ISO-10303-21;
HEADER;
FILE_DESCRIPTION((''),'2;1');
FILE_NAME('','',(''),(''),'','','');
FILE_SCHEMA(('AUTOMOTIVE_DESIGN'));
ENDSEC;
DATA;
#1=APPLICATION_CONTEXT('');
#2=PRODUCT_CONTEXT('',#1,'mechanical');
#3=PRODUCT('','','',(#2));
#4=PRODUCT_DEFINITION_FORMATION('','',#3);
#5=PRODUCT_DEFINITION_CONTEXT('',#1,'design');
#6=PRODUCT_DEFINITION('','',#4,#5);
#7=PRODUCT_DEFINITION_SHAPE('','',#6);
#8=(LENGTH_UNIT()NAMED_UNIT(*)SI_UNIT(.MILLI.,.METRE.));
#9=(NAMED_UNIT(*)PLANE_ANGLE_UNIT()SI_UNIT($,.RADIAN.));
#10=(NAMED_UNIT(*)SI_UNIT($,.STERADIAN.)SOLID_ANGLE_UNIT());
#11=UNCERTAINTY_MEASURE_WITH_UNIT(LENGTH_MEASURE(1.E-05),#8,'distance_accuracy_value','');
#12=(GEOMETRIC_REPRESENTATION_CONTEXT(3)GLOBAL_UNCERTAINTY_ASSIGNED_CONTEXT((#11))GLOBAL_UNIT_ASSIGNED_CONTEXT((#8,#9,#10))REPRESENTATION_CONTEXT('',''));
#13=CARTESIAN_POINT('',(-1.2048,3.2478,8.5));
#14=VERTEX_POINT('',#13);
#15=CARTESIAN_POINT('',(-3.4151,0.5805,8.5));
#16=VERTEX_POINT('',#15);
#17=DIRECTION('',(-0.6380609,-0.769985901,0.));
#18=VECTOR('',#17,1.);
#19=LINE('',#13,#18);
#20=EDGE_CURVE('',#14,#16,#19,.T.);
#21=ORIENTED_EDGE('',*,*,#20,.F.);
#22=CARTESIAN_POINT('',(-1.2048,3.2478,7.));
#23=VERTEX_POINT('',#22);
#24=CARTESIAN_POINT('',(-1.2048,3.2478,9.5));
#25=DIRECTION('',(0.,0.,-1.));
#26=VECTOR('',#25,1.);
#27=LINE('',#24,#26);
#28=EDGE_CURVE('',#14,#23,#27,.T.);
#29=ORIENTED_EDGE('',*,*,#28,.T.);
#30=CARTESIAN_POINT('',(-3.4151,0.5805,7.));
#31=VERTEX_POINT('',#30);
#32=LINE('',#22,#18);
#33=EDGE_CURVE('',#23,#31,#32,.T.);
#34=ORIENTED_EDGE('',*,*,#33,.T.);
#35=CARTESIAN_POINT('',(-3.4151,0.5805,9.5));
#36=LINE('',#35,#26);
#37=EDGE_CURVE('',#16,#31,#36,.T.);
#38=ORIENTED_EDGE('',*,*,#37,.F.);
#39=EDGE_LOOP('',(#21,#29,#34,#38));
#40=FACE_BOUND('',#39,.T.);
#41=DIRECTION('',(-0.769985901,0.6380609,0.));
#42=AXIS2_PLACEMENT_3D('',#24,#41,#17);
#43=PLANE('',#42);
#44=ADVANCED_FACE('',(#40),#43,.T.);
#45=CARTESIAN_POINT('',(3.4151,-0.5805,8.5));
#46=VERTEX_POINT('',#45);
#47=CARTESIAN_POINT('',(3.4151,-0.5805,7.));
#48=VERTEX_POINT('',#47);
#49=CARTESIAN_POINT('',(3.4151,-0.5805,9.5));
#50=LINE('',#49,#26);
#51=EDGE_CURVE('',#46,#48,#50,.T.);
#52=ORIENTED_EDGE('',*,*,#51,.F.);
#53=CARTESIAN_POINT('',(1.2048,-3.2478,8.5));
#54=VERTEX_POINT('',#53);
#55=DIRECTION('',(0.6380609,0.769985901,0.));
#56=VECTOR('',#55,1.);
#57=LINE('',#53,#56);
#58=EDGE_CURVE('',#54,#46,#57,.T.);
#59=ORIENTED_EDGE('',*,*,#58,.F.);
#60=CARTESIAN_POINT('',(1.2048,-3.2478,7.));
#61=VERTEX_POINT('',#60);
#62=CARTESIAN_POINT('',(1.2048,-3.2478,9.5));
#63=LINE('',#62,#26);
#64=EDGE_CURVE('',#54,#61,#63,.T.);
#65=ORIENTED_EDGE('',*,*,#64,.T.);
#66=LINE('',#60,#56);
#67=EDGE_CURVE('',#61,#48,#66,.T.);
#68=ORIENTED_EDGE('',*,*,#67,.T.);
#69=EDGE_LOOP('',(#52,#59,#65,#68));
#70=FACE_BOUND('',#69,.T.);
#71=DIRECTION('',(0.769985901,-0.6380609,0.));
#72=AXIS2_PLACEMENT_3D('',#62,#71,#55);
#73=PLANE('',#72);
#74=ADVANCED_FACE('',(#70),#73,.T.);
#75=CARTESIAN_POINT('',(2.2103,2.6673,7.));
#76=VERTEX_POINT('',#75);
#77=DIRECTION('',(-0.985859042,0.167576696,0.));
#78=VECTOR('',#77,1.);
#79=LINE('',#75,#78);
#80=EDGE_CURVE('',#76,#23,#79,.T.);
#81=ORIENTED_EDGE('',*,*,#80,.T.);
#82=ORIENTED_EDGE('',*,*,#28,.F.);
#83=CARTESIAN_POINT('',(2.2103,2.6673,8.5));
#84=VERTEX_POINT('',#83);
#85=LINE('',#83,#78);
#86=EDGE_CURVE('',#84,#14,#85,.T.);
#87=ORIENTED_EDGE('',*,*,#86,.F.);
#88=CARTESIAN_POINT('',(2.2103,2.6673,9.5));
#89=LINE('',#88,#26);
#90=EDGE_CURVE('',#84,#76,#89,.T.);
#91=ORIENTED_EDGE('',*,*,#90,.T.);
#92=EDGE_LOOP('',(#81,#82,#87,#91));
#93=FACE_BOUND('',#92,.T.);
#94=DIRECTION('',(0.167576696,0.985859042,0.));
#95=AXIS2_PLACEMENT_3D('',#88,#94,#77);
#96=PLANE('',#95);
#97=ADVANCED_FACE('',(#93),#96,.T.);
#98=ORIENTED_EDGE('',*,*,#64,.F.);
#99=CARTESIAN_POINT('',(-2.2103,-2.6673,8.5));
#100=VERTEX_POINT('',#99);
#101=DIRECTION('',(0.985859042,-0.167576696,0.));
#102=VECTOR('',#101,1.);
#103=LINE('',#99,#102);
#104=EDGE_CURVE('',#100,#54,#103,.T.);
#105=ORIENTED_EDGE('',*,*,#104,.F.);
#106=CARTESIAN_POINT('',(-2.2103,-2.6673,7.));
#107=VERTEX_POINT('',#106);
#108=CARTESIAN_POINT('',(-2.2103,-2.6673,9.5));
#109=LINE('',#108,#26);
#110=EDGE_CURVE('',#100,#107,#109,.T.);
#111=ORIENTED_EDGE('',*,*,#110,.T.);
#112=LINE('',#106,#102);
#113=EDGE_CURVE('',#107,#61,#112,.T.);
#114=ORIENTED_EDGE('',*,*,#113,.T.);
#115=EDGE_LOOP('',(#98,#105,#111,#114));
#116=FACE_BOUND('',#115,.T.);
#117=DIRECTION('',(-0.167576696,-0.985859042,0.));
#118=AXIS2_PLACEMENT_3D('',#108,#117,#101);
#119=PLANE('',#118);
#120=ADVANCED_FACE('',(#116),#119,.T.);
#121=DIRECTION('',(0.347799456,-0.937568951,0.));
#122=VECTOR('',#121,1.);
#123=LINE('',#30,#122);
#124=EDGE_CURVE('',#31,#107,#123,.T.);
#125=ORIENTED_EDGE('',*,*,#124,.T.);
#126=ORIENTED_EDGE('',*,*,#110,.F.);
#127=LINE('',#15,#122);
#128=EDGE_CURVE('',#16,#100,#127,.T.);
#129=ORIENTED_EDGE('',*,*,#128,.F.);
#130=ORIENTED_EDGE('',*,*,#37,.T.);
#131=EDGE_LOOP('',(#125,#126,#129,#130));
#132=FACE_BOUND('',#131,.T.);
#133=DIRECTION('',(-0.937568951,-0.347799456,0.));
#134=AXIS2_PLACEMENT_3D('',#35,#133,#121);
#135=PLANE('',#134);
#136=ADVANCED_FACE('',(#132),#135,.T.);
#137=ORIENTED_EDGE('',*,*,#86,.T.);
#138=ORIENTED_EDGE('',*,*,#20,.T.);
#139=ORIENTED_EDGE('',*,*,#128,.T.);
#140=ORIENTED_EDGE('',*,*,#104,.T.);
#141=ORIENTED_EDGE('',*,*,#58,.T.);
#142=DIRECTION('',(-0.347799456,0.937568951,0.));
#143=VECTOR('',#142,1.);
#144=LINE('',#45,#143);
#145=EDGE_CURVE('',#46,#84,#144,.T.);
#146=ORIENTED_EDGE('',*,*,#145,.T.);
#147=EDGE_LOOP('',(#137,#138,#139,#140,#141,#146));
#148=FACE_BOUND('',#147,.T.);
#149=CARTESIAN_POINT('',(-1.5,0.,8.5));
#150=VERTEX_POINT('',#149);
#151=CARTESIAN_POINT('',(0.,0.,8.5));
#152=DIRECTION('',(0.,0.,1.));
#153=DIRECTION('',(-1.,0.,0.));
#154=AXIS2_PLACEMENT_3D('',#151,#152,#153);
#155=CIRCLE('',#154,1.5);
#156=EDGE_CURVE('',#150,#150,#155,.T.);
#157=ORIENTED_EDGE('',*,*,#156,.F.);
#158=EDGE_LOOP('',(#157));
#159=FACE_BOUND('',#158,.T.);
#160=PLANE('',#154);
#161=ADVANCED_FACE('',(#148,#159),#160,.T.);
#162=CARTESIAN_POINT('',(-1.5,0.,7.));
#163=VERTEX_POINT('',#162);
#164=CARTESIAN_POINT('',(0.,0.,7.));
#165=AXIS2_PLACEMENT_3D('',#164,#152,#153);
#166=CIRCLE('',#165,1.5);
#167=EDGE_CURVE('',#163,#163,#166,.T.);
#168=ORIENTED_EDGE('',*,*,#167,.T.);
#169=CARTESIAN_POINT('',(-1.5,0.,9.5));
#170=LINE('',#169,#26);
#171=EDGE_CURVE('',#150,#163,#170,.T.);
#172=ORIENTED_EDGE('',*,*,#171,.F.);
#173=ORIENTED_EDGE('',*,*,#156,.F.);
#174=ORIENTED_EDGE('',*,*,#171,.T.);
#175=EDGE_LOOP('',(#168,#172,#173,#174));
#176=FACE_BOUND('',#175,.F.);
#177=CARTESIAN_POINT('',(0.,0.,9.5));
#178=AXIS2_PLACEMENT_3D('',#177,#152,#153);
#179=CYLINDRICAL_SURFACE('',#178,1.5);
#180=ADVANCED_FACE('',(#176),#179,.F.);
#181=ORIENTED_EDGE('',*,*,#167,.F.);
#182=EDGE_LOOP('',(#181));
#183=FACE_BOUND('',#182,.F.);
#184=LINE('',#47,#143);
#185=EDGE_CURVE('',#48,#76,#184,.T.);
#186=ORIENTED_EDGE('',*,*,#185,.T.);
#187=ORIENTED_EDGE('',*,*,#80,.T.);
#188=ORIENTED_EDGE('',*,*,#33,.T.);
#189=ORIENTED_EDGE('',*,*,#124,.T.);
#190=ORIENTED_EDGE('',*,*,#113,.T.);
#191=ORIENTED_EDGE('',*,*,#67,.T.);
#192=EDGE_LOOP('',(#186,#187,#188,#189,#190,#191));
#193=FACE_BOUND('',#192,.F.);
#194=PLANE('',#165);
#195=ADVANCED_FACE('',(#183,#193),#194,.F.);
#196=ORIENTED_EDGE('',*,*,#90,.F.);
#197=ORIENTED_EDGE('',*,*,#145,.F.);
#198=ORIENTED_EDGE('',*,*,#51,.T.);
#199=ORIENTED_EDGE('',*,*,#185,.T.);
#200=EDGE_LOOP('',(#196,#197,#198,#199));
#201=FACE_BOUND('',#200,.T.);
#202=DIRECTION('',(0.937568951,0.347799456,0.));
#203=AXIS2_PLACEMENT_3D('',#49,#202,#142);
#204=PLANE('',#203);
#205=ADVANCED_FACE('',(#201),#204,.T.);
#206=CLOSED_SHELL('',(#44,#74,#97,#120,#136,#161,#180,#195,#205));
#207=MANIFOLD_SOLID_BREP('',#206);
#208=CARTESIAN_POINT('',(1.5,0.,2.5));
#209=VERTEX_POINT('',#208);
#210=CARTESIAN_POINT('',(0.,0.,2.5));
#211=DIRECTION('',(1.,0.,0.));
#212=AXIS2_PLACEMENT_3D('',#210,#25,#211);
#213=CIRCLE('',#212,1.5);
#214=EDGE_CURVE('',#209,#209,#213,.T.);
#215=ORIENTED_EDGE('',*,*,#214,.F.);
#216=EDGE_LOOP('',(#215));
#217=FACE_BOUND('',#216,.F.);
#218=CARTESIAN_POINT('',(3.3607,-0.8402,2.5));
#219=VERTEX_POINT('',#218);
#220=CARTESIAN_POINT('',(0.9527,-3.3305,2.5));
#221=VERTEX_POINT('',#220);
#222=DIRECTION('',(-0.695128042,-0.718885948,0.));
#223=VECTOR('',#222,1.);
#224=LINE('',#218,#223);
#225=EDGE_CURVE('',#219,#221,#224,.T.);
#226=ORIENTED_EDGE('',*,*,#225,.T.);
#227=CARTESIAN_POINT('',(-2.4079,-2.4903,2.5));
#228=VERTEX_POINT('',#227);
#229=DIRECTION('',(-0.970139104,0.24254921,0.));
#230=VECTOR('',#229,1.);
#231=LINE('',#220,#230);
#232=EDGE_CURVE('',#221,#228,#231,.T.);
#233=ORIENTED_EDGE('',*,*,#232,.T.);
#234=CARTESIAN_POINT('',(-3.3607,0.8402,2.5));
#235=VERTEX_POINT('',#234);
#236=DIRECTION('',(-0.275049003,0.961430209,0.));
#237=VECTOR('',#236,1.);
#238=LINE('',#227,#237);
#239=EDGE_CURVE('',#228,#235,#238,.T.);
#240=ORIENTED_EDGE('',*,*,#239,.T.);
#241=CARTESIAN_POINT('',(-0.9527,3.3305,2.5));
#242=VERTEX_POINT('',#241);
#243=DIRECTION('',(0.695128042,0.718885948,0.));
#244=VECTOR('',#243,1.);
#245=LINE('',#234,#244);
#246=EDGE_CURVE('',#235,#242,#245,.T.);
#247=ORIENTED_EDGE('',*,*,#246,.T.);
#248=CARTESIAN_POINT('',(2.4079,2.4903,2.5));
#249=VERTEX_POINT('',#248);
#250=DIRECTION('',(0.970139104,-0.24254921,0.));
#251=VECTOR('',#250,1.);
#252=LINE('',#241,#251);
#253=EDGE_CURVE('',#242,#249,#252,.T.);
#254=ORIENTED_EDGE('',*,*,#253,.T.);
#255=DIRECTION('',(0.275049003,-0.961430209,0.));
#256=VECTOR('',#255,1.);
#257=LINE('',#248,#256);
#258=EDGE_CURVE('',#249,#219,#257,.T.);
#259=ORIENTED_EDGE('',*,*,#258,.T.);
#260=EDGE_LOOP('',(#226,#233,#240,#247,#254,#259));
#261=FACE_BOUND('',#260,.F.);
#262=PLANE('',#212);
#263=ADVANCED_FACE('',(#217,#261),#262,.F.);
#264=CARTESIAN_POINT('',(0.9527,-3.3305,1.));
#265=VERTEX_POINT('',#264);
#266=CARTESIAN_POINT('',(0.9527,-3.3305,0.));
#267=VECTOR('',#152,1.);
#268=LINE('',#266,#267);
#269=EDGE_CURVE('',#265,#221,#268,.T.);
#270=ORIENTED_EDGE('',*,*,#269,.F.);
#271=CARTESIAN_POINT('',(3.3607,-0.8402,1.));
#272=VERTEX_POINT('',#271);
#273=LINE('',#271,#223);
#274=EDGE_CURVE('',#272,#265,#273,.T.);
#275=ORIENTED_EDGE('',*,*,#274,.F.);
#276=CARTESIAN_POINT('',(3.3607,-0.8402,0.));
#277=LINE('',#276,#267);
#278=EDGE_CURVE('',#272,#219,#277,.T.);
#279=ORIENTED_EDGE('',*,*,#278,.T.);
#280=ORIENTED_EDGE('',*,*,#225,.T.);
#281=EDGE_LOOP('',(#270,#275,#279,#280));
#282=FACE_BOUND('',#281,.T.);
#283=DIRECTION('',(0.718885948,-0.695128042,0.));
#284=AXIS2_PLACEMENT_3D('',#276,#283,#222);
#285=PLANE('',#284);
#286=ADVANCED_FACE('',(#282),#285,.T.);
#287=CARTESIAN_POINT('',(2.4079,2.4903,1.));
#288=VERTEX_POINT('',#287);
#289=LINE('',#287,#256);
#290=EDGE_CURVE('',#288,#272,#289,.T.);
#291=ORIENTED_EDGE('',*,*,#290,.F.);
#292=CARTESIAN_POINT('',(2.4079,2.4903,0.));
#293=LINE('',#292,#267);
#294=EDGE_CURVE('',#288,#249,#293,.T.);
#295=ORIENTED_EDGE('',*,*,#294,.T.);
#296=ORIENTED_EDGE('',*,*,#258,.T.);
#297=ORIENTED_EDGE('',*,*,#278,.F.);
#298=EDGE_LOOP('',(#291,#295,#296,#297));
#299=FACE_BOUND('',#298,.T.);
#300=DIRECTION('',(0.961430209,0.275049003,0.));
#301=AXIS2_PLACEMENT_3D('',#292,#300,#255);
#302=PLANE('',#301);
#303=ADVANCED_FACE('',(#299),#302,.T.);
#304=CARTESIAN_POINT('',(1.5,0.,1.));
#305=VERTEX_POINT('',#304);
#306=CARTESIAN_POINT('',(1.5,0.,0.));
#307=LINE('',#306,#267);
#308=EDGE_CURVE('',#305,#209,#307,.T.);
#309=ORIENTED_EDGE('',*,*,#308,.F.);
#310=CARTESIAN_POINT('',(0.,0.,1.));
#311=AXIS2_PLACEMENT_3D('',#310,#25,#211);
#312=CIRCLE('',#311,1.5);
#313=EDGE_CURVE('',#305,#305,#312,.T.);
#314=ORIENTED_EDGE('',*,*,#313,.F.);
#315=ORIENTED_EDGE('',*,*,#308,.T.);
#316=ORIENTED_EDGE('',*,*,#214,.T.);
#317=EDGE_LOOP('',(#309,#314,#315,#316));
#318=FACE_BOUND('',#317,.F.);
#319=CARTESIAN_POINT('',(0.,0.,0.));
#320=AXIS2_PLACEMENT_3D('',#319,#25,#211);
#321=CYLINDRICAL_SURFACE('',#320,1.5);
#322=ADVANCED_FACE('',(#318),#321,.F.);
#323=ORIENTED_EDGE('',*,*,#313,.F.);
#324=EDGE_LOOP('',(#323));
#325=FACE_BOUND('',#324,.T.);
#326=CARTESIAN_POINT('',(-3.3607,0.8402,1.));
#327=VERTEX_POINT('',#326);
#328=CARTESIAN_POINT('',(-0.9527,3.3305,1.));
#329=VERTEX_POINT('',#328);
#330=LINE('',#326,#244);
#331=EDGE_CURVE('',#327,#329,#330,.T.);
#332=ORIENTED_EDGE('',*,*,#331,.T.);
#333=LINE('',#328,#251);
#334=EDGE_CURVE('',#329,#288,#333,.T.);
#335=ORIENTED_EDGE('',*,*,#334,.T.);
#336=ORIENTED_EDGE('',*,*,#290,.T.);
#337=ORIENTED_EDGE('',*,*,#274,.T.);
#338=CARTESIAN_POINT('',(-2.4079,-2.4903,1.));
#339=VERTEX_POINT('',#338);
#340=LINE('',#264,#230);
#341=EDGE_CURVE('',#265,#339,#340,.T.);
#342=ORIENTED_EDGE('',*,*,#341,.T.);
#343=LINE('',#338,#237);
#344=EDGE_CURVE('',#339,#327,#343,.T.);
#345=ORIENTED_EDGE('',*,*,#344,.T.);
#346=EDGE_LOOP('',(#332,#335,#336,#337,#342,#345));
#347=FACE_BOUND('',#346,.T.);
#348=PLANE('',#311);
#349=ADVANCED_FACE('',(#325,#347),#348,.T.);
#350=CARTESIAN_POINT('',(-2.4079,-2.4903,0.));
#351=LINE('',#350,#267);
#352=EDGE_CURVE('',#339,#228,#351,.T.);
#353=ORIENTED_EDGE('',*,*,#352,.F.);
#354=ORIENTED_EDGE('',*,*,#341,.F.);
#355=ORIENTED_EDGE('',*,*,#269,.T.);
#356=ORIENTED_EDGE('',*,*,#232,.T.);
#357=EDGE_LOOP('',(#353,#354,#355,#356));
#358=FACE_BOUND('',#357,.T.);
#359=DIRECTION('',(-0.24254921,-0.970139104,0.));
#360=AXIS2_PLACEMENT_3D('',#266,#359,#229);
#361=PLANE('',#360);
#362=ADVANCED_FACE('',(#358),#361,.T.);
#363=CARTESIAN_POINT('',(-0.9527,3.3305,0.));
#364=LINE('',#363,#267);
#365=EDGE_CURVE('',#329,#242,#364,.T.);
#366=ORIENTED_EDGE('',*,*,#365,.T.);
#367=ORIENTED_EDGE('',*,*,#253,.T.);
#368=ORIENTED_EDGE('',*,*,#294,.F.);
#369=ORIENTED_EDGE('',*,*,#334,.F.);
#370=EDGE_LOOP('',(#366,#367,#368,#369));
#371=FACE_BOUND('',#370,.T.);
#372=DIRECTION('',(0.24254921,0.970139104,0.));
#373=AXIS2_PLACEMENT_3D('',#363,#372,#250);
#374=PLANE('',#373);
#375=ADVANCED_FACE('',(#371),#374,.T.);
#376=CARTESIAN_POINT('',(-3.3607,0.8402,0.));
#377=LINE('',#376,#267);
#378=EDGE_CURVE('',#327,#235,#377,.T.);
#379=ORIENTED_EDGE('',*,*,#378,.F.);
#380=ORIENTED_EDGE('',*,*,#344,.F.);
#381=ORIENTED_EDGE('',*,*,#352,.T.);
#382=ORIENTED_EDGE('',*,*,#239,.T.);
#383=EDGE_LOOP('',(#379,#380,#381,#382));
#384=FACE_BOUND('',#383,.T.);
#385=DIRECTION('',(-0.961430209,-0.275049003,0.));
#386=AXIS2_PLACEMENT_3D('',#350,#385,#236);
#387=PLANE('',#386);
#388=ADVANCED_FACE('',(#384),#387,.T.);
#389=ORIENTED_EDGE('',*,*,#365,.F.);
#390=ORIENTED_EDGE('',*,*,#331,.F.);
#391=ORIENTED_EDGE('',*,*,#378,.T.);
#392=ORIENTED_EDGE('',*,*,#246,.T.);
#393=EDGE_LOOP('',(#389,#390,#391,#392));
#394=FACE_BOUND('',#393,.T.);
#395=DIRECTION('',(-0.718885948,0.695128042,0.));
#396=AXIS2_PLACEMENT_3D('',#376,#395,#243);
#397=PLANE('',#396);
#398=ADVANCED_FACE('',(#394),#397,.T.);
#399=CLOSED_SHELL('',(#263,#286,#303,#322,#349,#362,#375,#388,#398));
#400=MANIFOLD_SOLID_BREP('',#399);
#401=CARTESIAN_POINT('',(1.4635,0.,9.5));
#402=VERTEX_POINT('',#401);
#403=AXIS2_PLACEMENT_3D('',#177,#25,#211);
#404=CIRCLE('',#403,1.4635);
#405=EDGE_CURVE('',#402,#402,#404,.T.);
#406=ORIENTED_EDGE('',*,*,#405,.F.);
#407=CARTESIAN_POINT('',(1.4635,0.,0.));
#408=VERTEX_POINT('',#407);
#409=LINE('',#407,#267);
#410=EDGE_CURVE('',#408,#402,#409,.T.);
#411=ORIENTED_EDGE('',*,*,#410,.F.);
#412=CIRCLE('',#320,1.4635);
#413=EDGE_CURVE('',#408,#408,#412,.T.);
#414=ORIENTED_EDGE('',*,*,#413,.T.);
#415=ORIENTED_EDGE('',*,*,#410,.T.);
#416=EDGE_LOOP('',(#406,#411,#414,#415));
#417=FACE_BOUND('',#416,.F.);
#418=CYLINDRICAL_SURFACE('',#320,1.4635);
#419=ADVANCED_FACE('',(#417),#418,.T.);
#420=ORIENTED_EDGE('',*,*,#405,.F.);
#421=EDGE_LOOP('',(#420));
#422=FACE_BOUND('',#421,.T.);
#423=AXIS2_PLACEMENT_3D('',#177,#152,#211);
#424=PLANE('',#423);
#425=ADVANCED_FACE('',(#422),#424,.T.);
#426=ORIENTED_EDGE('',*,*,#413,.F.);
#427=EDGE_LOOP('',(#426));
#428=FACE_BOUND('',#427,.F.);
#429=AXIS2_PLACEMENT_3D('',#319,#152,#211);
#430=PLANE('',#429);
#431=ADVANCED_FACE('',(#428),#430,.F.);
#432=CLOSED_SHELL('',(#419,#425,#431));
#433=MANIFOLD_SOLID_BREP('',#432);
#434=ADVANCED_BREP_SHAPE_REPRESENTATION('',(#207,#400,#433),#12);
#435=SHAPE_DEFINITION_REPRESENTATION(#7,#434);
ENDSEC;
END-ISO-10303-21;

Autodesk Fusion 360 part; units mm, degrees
sketch "Sketch1" plane through (0, 0, 0) normal (0, 0, 1) x (1, 0, 0)
  circle A0 centre (0, 0) radius 1.5
  dimension "d1" = 3
extrude "Extrude1" add sketch "Sketch1" along normal blind 9.5 makes body 1
thread "Thread1" "ISO Metric profile 3.0 M3x0.5 6g" major diameter 2.927 minor diameter 2.3555 pitch 0.5 angle 60 resizes the face on face at (1.4981, -0.0748, 6.3333) on bodies 1
sketch "Sketch2" plane through (0, 0, 9.5) normal (0, 0, 1) x (-1, 0, 0)
  circle A0 centre (0, 0) radius 1.4635
  circle A1 centre (0, 0) radius 1.5
  line L0 (-2.2103, -2.6673) -> (1.2048, -3.2478)
  line L1 (1.2048, -3.2478) -> (3.4151, -0.5805)
  line L2 (3.4151, -0.5805) -> (2.2103, 2.6673)
  line L3 (2.2103, 2.6673) -> (-1.2048, 3.2478)
  line L4 (-1.2048, 3.2478) -> (-3.4151, 0.5805)
  line L5 (-3.4151, 0.5805) -> (-2.2103, -2.6673)
  dimension "d4" = 3
  dimension "d5" = 3
extrude "Extrude2" add sketch "Sketch2" against normal blind 2.5 separate body contours L0 L1 L2 L3 L4 L5 makes body 2
extrude "Extrude3" cut 1 faces at (1.9065, -1.6162, 9.5) along direction (0, 0, -1) blind 1 on bodies 2 bodies 2
sketch "Sketch3" plane through (0, 0, 0) normal (0, 0, -1) x (1, 0, 0)
  circle A0 centre (0, 0) radius 1.4635
  line L0 (2.4079, -2.4903) -> (3.3607, 0.8402)
  line L1 (3.3607, 0.8402) -> (0.9527, 3.3305)
  line L2 (0.9527, 3.3305) -> (-2.4079, 2.4903)
  line L3 (-2.4079, 2.4903) -> (-3.3607, -0.8402)
  line L4 (-3.3607, -0.8402) -> (-0.9527, -3.3305)
  line L5 (-0.9527, -3.3305) -> (2.4079, -2.4903)
  circle A1 centre (0, 0) radius 1.5
  dimension "d10" = 3
  dimension "d11" = 3
extrude "Extrude4" add sketch "Sketch3" against normal blind 2.5 separate body contours L0 L1 L2 L3 L4 L5 makes body 3
extrude "Extrude5" cut 1 faces at (-1.8043, 1.7303, 0) along direction (0, 0, 1) blind 1 on bodies 3 bodies 3
equation "d2 = 4.5 mm + 1.5 mm + 1.5 mm + 2 mm"
